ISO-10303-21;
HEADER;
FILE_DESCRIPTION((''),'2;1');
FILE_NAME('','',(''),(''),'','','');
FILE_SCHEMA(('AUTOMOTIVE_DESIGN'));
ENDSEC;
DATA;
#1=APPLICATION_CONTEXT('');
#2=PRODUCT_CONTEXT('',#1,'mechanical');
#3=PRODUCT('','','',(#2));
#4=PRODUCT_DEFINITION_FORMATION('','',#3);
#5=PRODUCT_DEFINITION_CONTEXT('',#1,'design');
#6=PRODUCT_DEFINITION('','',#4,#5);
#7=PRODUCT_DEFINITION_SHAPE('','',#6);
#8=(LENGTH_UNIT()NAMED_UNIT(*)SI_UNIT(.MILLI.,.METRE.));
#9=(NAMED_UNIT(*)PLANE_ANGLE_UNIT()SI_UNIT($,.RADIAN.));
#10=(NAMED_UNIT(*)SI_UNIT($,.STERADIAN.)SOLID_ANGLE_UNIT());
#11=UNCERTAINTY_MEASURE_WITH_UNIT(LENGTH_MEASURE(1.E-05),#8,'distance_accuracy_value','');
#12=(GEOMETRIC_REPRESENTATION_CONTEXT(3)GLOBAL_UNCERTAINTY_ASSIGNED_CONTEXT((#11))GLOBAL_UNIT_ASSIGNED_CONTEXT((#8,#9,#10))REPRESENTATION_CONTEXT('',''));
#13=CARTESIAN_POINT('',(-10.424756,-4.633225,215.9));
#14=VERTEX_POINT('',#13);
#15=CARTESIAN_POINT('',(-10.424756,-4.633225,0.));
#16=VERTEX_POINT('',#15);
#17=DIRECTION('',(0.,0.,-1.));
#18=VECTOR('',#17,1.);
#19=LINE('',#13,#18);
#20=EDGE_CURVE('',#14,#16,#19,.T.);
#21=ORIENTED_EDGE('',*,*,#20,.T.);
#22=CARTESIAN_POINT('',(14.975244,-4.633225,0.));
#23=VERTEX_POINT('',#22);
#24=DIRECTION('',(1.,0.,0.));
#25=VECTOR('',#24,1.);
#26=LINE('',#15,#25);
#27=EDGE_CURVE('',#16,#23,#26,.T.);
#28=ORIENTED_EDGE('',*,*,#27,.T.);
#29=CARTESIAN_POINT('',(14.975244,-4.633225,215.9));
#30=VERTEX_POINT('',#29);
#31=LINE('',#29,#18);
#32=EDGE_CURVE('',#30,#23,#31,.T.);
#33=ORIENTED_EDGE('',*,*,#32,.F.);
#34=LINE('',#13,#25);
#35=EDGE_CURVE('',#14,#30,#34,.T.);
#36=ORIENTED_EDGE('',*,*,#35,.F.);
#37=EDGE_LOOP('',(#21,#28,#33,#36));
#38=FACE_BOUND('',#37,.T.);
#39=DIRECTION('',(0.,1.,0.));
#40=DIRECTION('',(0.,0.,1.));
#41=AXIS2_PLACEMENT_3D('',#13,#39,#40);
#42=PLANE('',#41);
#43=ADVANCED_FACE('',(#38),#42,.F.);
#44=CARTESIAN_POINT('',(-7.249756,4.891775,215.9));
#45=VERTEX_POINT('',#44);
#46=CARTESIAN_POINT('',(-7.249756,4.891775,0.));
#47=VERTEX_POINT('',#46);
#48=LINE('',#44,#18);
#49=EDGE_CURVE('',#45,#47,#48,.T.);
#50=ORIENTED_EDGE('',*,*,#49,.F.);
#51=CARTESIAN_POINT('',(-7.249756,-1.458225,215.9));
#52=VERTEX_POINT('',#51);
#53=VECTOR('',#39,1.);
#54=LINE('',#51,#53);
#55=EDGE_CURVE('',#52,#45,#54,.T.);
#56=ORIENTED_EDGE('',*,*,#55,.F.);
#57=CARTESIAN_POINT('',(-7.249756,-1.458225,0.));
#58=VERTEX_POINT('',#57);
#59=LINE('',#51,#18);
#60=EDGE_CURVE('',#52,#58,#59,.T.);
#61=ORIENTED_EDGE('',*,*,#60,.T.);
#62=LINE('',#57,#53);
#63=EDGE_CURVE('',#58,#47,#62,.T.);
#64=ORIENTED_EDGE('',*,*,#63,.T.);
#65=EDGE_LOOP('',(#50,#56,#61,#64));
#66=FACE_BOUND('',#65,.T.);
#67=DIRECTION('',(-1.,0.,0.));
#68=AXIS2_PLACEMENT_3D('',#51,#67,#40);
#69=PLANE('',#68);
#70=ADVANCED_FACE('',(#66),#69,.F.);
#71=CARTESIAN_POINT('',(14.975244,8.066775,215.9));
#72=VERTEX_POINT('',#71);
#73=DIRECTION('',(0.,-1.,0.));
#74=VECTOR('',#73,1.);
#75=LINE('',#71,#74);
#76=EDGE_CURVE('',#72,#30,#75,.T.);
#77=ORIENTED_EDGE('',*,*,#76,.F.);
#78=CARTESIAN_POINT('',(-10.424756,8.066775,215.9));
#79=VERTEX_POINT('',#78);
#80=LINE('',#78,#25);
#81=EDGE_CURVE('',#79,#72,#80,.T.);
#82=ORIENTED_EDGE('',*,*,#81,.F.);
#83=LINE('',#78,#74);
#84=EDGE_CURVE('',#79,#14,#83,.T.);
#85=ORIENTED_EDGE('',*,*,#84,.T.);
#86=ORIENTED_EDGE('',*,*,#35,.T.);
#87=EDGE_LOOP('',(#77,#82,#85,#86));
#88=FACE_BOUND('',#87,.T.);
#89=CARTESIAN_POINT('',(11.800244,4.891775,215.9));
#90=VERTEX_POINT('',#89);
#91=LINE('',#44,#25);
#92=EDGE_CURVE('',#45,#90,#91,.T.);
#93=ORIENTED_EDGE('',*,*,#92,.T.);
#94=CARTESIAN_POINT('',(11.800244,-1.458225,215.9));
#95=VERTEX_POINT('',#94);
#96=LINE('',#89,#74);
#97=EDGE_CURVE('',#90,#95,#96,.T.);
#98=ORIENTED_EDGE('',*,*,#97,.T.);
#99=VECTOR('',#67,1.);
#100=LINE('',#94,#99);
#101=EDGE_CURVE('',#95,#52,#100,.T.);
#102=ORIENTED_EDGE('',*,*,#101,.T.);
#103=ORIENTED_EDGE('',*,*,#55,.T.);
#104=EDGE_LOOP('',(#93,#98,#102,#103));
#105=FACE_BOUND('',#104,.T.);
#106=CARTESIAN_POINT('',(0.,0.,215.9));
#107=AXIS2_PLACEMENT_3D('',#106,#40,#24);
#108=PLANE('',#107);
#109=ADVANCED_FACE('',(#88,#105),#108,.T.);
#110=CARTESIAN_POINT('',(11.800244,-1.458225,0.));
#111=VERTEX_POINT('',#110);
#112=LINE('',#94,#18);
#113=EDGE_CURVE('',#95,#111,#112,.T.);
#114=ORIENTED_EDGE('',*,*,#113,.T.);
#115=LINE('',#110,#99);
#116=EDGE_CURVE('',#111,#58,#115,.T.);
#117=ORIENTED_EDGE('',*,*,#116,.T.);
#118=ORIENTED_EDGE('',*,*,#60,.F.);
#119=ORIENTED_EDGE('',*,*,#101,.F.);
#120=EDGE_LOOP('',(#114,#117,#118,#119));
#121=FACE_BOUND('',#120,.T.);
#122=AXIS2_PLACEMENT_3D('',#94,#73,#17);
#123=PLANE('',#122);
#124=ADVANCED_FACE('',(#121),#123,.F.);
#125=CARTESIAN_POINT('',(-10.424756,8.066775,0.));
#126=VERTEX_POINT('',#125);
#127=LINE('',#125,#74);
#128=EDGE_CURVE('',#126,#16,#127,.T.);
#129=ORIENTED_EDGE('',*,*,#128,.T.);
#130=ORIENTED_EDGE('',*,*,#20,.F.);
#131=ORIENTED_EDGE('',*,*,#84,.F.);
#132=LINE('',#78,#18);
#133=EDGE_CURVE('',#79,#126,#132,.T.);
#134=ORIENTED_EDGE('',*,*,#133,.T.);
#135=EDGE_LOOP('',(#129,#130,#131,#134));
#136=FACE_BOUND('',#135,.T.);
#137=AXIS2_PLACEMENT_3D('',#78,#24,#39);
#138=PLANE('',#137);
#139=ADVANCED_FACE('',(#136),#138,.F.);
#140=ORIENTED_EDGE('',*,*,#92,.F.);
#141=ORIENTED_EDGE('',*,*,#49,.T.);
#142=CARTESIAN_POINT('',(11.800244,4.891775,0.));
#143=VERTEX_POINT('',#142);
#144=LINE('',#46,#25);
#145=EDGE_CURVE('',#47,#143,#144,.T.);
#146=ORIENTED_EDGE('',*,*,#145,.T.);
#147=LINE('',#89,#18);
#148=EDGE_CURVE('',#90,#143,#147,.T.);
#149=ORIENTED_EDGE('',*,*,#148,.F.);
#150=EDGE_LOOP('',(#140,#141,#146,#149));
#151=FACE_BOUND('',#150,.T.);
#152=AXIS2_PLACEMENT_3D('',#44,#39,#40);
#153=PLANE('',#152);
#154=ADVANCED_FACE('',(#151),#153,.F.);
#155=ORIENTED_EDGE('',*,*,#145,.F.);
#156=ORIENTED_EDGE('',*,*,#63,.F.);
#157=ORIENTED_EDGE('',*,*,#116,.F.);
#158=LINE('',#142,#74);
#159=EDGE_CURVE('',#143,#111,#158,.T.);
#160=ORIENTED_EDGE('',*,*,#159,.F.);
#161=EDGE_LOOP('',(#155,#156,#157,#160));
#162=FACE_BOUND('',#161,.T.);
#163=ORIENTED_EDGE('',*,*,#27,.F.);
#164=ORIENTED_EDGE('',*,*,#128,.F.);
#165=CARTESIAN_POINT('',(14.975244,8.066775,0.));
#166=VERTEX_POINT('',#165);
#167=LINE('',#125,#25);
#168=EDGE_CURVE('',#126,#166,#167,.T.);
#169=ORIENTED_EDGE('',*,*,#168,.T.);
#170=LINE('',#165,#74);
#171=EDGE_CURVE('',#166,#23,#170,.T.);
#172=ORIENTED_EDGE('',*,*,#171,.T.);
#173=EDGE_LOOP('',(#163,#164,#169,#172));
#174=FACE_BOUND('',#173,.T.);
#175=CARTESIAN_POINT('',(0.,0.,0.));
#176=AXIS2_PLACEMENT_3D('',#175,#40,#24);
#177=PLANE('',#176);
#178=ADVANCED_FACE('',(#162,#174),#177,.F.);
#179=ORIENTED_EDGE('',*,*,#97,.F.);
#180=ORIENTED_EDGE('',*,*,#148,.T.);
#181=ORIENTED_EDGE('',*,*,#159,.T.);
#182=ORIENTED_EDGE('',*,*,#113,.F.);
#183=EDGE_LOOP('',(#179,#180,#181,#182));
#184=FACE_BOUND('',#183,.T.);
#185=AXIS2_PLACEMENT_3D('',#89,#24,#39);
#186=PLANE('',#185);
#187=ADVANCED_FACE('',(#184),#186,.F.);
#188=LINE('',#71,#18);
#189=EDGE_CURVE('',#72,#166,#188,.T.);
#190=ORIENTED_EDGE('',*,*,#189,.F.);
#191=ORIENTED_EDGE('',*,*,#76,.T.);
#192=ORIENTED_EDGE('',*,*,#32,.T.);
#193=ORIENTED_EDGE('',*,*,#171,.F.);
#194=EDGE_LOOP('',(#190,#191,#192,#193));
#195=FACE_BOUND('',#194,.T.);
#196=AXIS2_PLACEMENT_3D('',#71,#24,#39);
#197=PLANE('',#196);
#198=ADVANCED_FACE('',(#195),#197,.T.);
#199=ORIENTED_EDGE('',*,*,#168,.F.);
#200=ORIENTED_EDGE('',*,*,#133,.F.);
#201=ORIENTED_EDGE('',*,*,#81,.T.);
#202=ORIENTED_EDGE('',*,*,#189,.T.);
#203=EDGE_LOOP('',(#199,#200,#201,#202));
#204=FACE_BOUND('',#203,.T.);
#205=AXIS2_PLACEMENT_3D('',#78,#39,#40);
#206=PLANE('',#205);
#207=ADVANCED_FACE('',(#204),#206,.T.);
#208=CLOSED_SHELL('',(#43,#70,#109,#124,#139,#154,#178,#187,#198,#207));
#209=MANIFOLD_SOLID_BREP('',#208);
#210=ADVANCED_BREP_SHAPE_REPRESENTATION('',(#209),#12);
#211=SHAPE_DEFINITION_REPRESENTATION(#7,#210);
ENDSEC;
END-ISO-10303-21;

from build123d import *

# Parameters (mm, degrees)
SKETCH1_W           = 25.4
SKETCH1_H           = 12.7
BOSS_EXTRUDE1_DEPTH = 215.9
SKETCH3_W           = 19.05
SKETCH3_H           = 6.35
CUT_EXTRUDE1_DEPTH  = 216.9


with BuildPart() as part:
    # Sketch1 → Boss-Extrude1 (new body)
    with BuildSketch(Plane.XY):
        with Locations((2.2752443, 1.716775244)):
            Rectangle(SKETCH1_W, SKETCH1_H)
    extrude(amount=BOSS_EXTRUDE1_DEPTH)

    # Sketch3 → Cut-Extrude1 (cut, through all)
    with BuildSketch(Plane(origin=(0, 0, 0), x_dir=(-1, 0, 0), z_dir=(0, 0, -1))):
        with Locations((-2.2752443, 1.716775244)):
            Rectangle(SKETCH3_W, SKETCH3_H)
    extrude(amount=-CUT_EXTRUDE1_DEPTH, mode=Mode.SUBTRACT)


solid = part.part
